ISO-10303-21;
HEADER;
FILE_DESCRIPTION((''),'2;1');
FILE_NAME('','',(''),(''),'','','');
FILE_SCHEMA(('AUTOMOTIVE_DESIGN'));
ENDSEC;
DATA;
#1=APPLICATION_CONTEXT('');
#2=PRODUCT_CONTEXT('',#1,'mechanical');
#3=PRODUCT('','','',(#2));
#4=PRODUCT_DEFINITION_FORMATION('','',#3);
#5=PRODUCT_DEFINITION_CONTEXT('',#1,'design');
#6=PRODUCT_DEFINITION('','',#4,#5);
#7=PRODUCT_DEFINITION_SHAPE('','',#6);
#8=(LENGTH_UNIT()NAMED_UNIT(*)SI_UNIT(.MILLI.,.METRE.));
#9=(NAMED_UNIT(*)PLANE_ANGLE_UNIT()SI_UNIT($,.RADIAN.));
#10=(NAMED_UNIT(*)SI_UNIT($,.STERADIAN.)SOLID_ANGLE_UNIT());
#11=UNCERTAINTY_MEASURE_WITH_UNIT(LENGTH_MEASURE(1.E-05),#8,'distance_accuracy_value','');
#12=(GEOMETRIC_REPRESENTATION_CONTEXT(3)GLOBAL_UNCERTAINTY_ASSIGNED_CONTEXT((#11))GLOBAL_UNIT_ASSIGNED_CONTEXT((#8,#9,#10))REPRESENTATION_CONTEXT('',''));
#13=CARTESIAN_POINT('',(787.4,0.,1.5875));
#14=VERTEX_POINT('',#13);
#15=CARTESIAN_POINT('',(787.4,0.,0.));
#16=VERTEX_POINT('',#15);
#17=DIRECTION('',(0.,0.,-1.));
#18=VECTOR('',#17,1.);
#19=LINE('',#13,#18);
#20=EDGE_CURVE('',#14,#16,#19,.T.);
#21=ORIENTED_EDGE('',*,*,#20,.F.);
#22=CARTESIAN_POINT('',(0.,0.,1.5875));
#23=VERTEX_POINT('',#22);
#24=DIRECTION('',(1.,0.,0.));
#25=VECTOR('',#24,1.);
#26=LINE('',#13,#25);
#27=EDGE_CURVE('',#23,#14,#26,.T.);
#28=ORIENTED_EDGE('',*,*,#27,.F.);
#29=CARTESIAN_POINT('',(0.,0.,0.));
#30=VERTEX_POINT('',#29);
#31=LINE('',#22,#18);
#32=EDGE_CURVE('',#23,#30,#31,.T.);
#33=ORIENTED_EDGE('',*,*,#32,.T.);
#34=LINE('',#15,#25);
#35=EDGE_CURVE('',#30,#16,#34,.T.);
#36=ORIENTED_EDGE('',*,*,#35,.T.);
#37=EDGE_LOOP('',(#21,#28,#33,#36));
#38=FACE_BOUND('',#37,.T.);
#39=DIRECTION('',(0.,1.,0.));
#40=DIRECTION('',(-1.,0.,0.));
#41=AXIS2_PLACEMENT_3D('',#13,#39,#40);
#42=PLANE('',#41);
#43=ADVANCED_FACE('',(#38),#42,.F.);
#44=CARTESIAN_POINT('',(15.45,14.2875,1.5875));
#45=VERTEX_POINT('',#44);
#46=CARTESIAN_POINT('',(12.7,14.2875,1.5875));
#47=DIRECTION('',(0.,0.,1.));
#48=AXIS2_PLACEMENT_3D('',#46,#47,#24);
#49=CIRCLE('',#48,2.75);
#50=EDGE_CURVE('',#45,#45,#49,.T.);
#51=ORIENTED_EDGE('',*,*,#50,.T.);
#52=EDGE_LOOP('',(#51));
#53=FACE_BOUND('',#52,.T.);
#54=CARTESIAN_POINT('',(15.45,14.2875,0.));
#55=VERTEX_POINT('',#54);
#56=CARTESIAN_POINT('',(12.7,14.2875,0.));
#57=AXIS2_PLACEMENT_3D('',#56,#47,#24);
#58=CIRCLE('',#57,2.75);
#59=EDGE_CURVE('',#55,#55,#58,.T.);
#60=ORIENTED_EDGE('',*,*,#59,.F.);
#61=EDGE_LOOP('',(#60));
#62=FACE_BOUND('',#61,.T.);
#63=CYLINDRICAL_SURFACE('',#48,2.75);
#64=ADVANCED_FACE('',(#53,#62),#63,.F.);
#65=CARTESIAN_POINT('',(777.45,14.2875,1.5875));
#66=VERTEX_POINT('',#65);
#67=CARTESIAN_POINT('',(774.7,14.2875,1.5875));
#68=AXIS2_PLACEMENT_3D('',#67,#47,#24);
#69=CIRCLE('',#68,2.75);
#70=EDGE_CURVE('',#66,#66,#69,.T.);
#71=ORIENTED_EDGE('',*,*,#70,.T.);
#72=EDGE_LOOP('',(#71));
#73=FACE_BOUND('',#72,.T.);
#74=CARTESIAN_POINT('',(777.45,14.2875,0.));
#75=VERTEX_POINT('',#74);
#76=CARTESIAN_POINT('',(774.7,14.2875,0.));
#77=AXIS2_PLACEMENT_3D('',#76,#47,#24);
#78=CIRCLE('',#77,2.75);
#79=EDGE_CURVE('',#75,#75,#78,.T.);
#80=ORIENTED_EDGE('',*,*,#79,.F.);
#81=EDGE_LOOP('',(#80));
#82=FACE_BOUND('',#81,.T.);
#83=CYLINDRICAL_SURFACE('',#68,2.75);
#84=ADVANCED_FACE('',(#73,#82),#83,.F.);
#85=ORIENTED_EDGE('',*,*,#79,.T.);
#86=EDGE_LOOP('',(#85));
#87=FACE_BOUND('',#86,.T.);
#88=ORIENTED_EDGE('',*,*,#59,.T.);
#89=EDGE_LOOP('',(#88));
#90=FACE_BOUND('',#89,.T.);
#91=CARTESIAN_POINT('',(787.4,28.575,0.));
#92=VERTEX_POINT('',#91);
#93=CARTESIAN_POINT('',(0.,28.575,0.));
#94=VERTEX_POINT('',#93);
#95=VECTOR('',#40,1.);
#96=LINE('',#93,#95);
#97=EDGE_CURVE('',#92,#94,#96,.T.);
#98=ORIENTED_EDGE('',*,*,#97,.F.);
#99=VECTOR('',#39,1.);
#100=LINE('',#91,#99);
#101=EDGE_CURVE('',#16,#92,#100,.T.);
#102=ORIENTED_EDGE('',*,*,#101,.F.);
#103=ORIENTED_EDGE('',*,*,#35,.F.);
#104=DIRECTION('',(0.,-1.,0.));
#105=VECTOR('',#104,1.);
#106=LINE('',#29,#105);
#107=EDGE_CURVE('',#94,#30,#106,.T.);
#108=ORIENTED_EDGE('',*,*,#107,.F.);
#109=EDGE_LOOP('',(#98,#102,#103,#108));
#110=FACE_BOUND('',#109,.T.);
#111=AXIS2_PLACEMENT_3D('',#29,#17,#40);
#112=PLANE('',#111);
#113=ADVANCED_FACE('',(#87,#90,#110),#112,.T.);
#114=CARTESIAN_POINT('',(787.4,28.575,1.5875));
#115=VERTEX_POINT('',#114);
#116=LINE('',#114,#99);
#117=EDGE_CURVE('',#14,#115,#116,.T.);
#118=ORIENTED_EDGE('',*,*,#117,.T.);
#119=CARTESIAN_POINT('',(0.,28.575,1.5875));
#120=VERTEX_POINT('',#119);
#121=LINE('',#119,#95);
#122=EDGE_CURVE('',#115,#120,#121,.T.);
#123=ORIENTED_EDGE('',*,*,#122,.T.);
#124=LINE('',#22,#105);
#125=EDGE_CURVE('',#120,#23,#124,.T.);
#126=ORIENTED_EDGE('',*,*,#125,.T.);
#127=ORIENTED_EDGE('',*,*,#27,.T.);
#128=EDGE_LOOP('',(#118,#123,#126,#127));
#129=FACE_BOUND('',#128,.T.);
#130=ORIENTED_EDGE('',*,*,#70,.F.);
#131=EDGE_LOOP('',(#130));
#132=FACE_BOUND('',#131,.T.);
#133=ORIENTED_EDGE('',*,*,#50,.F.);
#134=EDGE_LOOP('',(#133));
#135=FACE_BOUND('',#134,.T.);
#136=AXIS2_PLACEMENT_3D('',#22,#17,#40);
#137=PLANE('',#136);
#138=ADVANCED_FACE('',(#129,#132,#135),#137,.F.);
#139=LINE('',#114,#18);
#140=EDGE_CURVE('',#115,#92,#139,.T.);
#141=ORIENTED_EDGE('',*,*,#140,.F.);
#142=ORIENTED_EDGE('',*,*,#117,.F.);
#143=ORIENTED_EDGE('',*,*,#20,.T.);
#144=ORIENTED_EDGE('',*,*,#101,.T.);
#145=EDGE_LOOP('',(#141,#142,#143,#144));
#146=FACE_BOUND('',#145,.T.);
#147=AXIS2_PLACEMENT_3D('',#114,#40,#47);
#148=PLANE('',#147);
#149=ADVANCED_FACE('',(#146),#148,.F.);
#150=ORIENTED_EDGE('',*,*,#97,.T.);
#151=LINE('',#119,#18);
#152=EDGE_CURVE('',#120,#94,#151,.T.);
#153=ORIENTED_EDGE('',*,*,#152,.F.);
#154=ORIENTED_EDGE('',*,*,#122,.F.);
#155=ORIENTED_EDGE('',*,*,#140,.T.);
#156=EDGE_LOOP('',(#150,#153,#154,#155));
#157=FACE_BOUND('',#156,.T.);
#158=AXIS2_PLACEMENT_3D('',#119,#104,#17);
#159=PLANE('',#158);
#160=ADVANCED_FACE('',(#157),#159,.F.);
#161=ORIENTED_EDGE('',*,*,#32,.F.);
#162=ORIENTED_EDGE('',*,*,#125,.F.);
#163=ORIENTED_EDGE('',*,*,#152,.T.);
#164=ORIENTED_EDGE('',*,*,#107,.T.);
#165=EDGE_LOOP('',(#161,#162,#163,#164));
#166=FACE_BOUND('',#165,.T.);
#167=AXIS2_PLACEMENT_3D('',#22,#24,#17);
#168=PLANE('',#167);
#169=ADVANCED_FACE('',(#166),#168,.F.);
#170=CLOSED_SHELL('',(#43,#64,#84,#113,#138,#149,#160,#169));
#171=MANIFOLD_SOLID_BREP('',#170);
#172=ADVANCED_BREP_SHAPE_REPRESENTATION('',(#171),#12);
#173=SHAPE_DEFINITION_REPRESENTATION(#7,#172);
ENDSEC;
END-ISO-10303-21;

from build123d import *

# Parameters (mm, degrees)
SKETCH1_W            = 787.4
SKETCH1_H            = 28.575
BOSS_EXTRUDE1_DEPTH  = 1.5875
M5_CLEARANCE_HOLE1_D = 5.5


with BuildPart() as part:
    # Sketch1 → Boss-Extrude1 (new body)
    with BuildSketch(Plane.XY):
        with Locations((393.7, 14.2875)):
            Rectangle(SKETCH1_W, SKETCH1_H)
    extrude(amount=BOSS_EXTRUDE1_DEPTH)

    # M5 Clearance Hole1 (through all)
    with Locations(Plane.XY.offset(1.5875)):
        with Locations((12.7, 14.2875)):
            m5_clearance_hole1 = Hole(M5_CLEARANCE_HOLE1_D / 2)

    # Mirror1: M5 Clearance Hole1 across plane
    add(m5_clearance_hole1.mirror(Plane(origin=(393.7, 0, 0), x_dir=(0, 0, 1), z_dir=(1, 0, 0))), mode=Mode.SUBTRACT)


solid = part.part
